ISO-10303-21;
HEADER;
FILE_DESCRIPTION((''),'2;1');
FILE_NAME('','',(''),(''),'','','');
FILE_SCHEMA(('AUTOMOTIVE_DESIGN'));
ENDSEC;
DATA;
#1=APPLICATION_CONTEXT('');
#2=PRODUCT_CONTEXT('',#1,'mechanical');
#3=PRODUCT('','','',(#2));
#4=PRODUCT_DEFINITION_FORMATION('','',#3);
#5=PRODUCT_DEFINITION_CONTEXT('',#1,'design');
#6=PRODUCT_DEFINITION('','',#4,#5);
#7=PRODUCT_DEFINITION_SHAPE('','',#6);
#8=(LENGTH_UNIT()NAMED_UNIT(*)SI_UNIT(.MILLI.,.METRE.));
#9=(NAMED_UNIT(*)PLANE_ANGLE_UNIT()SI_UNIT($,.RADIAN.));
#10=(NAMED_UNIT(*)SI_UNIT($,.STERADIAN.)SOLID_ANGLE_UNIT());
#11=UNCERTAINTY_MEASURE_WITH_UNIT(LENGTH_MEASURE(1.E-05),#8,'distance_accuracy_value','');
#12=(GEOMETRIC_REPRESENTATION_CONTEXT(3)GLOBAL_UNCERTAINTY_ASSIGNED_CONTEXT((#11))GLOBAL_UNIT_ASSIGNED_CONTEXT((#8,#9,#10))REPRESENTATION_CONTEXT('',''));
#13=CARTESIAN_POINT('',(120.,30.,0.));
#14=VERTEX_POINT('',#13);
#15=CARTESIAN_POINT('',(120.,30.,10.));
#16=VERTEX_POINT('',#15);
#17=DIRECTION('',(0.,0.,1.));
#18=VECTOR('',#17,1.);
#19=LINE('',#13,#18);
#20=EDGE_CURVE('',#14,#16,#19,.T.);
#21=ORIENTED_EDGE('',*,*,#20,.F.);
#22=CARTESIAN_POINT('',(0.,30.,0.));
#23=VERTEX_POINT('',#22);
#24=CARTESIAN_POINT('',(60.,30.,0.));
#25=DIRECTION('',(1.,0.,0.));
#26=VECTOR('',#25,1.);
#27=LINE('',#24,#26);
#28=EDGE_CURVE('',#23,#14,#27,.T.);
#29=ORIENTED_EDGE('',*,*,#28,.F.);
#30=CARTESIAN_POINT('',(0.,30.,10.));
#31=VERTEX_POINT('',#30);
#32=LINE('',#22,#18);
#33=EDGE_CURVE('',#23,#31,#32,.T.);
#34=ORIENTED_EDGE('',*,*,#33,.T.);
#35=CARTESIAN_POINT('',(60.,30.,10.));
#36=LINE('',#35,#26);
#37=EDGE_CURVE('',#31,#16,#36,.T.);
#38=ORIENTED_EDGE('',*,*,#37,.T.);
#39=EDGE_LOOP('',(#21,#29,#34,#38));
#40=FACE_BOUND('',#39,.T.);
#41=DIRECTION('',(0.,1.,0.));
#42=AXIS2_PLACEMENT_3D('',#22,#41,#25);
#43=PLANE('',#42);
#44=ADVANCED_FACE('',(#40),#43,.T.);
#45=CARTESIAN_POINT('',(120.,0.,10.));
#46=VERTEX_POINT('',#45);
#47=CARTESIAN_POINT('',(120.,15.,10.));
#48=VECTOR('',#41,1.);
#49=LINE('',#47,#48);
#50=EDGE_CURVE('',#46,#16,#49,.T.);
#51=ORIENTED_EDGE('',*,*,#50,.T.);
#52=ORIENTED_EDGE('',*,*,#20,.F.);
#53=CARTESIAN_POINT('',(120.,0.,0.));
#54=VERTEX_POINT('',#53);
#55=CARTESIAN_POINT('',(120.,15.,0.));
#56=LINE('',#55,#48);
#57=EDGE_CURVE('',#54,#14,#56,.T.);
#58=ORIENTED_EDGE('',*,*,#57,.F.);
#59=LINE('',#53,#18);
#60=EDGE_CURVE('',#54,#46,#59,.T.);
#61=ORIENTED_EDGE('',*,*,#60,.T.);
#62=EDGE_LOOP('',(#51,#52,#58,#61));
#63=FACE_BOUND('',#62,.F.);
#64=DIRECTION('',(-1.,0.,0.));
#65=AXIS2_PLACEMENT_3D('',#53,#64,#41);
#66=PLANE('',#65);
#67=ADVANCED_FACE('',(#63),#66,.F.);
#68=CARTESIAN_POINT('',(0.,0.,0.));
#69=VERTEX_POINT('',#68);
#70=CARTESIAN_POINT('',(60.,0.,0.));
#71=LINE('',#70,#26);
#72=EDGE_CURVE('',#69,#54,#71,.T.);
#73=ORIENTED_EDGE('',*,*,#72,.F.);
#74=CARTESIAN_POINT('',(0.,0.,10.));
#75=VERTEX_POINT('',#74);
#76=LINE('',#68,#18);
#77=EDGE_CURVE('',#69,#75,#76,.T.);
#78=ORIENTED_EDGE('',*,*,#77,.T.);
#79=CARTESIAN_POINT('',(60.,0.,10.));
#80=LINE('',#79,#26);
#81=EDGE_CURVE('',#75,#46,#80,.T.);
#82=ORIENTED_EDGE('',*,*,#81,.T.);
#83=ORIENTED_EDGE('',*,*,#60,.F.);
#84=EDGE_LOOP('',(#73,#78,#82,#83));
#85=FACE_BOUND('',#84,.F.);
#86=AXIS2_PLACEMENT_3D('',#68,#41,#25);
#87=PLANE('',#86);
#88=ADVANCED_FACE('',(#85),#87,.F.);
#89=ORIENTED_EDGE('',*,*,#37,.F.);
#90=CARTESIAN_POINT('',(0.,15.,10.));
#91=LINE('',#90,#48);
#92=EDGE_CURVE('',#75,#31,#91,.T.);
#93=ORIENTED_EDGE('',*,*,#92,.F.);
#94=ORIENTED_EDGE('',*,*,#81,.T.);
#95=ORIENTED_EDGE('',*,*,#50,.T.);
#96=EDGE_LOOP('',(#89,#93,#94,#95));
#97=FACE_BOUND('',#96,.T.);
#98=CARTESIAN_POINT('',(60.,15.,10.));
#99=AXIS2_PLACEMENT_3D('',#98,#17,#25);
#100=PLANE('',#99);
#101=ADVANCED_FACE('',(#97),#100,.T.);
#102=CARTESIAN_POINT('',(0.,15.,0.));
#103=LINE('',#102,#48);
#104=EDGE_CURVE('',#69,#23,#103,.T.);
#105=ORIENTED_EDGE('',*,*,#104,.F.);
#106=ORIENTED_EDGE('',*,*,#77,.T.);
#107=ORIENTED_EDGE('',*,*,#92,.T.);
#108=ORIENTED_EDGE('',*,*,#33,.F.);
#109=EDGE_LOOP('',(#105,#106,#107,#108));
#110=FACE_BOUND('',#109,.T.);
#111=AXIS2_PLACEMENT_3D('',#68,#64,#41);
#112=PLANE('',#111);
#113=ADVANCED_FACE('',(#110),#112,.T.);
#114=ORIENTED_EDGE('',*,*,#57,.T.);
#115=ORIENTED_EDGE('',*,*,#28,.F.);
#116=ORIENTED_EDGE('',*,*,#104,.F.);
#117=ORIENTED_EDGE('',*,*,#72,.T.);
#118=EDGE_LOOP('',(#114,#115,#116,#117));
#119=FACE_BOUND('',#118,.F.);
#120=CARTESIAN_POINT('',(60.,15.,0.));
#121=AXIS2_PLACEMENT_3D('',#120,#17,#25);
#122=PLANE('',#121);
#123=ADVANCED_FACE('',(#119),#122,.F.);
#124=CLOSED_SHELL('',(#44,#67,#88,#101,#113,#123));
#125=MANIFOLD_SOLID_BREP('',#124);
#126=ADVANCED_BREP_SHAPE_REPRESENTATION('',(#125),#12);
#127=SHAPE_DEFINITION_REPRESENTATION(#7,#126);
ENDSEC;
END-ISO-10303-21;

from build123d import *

# Parameters (mm, degrees)
BEAM_W     = 120
BEAM_H     = 30
BEAM_DEPTH = 10


with BuildPart() as part:
    # Beam → Beam (new body)
    with BuildSketch(Plane.XY):
        with Locations((60, 15)):
            Rectangle(BEAM_W, BEAM_H)
    extrude(amount=BEAM_DEPTH)


solid = part.part
